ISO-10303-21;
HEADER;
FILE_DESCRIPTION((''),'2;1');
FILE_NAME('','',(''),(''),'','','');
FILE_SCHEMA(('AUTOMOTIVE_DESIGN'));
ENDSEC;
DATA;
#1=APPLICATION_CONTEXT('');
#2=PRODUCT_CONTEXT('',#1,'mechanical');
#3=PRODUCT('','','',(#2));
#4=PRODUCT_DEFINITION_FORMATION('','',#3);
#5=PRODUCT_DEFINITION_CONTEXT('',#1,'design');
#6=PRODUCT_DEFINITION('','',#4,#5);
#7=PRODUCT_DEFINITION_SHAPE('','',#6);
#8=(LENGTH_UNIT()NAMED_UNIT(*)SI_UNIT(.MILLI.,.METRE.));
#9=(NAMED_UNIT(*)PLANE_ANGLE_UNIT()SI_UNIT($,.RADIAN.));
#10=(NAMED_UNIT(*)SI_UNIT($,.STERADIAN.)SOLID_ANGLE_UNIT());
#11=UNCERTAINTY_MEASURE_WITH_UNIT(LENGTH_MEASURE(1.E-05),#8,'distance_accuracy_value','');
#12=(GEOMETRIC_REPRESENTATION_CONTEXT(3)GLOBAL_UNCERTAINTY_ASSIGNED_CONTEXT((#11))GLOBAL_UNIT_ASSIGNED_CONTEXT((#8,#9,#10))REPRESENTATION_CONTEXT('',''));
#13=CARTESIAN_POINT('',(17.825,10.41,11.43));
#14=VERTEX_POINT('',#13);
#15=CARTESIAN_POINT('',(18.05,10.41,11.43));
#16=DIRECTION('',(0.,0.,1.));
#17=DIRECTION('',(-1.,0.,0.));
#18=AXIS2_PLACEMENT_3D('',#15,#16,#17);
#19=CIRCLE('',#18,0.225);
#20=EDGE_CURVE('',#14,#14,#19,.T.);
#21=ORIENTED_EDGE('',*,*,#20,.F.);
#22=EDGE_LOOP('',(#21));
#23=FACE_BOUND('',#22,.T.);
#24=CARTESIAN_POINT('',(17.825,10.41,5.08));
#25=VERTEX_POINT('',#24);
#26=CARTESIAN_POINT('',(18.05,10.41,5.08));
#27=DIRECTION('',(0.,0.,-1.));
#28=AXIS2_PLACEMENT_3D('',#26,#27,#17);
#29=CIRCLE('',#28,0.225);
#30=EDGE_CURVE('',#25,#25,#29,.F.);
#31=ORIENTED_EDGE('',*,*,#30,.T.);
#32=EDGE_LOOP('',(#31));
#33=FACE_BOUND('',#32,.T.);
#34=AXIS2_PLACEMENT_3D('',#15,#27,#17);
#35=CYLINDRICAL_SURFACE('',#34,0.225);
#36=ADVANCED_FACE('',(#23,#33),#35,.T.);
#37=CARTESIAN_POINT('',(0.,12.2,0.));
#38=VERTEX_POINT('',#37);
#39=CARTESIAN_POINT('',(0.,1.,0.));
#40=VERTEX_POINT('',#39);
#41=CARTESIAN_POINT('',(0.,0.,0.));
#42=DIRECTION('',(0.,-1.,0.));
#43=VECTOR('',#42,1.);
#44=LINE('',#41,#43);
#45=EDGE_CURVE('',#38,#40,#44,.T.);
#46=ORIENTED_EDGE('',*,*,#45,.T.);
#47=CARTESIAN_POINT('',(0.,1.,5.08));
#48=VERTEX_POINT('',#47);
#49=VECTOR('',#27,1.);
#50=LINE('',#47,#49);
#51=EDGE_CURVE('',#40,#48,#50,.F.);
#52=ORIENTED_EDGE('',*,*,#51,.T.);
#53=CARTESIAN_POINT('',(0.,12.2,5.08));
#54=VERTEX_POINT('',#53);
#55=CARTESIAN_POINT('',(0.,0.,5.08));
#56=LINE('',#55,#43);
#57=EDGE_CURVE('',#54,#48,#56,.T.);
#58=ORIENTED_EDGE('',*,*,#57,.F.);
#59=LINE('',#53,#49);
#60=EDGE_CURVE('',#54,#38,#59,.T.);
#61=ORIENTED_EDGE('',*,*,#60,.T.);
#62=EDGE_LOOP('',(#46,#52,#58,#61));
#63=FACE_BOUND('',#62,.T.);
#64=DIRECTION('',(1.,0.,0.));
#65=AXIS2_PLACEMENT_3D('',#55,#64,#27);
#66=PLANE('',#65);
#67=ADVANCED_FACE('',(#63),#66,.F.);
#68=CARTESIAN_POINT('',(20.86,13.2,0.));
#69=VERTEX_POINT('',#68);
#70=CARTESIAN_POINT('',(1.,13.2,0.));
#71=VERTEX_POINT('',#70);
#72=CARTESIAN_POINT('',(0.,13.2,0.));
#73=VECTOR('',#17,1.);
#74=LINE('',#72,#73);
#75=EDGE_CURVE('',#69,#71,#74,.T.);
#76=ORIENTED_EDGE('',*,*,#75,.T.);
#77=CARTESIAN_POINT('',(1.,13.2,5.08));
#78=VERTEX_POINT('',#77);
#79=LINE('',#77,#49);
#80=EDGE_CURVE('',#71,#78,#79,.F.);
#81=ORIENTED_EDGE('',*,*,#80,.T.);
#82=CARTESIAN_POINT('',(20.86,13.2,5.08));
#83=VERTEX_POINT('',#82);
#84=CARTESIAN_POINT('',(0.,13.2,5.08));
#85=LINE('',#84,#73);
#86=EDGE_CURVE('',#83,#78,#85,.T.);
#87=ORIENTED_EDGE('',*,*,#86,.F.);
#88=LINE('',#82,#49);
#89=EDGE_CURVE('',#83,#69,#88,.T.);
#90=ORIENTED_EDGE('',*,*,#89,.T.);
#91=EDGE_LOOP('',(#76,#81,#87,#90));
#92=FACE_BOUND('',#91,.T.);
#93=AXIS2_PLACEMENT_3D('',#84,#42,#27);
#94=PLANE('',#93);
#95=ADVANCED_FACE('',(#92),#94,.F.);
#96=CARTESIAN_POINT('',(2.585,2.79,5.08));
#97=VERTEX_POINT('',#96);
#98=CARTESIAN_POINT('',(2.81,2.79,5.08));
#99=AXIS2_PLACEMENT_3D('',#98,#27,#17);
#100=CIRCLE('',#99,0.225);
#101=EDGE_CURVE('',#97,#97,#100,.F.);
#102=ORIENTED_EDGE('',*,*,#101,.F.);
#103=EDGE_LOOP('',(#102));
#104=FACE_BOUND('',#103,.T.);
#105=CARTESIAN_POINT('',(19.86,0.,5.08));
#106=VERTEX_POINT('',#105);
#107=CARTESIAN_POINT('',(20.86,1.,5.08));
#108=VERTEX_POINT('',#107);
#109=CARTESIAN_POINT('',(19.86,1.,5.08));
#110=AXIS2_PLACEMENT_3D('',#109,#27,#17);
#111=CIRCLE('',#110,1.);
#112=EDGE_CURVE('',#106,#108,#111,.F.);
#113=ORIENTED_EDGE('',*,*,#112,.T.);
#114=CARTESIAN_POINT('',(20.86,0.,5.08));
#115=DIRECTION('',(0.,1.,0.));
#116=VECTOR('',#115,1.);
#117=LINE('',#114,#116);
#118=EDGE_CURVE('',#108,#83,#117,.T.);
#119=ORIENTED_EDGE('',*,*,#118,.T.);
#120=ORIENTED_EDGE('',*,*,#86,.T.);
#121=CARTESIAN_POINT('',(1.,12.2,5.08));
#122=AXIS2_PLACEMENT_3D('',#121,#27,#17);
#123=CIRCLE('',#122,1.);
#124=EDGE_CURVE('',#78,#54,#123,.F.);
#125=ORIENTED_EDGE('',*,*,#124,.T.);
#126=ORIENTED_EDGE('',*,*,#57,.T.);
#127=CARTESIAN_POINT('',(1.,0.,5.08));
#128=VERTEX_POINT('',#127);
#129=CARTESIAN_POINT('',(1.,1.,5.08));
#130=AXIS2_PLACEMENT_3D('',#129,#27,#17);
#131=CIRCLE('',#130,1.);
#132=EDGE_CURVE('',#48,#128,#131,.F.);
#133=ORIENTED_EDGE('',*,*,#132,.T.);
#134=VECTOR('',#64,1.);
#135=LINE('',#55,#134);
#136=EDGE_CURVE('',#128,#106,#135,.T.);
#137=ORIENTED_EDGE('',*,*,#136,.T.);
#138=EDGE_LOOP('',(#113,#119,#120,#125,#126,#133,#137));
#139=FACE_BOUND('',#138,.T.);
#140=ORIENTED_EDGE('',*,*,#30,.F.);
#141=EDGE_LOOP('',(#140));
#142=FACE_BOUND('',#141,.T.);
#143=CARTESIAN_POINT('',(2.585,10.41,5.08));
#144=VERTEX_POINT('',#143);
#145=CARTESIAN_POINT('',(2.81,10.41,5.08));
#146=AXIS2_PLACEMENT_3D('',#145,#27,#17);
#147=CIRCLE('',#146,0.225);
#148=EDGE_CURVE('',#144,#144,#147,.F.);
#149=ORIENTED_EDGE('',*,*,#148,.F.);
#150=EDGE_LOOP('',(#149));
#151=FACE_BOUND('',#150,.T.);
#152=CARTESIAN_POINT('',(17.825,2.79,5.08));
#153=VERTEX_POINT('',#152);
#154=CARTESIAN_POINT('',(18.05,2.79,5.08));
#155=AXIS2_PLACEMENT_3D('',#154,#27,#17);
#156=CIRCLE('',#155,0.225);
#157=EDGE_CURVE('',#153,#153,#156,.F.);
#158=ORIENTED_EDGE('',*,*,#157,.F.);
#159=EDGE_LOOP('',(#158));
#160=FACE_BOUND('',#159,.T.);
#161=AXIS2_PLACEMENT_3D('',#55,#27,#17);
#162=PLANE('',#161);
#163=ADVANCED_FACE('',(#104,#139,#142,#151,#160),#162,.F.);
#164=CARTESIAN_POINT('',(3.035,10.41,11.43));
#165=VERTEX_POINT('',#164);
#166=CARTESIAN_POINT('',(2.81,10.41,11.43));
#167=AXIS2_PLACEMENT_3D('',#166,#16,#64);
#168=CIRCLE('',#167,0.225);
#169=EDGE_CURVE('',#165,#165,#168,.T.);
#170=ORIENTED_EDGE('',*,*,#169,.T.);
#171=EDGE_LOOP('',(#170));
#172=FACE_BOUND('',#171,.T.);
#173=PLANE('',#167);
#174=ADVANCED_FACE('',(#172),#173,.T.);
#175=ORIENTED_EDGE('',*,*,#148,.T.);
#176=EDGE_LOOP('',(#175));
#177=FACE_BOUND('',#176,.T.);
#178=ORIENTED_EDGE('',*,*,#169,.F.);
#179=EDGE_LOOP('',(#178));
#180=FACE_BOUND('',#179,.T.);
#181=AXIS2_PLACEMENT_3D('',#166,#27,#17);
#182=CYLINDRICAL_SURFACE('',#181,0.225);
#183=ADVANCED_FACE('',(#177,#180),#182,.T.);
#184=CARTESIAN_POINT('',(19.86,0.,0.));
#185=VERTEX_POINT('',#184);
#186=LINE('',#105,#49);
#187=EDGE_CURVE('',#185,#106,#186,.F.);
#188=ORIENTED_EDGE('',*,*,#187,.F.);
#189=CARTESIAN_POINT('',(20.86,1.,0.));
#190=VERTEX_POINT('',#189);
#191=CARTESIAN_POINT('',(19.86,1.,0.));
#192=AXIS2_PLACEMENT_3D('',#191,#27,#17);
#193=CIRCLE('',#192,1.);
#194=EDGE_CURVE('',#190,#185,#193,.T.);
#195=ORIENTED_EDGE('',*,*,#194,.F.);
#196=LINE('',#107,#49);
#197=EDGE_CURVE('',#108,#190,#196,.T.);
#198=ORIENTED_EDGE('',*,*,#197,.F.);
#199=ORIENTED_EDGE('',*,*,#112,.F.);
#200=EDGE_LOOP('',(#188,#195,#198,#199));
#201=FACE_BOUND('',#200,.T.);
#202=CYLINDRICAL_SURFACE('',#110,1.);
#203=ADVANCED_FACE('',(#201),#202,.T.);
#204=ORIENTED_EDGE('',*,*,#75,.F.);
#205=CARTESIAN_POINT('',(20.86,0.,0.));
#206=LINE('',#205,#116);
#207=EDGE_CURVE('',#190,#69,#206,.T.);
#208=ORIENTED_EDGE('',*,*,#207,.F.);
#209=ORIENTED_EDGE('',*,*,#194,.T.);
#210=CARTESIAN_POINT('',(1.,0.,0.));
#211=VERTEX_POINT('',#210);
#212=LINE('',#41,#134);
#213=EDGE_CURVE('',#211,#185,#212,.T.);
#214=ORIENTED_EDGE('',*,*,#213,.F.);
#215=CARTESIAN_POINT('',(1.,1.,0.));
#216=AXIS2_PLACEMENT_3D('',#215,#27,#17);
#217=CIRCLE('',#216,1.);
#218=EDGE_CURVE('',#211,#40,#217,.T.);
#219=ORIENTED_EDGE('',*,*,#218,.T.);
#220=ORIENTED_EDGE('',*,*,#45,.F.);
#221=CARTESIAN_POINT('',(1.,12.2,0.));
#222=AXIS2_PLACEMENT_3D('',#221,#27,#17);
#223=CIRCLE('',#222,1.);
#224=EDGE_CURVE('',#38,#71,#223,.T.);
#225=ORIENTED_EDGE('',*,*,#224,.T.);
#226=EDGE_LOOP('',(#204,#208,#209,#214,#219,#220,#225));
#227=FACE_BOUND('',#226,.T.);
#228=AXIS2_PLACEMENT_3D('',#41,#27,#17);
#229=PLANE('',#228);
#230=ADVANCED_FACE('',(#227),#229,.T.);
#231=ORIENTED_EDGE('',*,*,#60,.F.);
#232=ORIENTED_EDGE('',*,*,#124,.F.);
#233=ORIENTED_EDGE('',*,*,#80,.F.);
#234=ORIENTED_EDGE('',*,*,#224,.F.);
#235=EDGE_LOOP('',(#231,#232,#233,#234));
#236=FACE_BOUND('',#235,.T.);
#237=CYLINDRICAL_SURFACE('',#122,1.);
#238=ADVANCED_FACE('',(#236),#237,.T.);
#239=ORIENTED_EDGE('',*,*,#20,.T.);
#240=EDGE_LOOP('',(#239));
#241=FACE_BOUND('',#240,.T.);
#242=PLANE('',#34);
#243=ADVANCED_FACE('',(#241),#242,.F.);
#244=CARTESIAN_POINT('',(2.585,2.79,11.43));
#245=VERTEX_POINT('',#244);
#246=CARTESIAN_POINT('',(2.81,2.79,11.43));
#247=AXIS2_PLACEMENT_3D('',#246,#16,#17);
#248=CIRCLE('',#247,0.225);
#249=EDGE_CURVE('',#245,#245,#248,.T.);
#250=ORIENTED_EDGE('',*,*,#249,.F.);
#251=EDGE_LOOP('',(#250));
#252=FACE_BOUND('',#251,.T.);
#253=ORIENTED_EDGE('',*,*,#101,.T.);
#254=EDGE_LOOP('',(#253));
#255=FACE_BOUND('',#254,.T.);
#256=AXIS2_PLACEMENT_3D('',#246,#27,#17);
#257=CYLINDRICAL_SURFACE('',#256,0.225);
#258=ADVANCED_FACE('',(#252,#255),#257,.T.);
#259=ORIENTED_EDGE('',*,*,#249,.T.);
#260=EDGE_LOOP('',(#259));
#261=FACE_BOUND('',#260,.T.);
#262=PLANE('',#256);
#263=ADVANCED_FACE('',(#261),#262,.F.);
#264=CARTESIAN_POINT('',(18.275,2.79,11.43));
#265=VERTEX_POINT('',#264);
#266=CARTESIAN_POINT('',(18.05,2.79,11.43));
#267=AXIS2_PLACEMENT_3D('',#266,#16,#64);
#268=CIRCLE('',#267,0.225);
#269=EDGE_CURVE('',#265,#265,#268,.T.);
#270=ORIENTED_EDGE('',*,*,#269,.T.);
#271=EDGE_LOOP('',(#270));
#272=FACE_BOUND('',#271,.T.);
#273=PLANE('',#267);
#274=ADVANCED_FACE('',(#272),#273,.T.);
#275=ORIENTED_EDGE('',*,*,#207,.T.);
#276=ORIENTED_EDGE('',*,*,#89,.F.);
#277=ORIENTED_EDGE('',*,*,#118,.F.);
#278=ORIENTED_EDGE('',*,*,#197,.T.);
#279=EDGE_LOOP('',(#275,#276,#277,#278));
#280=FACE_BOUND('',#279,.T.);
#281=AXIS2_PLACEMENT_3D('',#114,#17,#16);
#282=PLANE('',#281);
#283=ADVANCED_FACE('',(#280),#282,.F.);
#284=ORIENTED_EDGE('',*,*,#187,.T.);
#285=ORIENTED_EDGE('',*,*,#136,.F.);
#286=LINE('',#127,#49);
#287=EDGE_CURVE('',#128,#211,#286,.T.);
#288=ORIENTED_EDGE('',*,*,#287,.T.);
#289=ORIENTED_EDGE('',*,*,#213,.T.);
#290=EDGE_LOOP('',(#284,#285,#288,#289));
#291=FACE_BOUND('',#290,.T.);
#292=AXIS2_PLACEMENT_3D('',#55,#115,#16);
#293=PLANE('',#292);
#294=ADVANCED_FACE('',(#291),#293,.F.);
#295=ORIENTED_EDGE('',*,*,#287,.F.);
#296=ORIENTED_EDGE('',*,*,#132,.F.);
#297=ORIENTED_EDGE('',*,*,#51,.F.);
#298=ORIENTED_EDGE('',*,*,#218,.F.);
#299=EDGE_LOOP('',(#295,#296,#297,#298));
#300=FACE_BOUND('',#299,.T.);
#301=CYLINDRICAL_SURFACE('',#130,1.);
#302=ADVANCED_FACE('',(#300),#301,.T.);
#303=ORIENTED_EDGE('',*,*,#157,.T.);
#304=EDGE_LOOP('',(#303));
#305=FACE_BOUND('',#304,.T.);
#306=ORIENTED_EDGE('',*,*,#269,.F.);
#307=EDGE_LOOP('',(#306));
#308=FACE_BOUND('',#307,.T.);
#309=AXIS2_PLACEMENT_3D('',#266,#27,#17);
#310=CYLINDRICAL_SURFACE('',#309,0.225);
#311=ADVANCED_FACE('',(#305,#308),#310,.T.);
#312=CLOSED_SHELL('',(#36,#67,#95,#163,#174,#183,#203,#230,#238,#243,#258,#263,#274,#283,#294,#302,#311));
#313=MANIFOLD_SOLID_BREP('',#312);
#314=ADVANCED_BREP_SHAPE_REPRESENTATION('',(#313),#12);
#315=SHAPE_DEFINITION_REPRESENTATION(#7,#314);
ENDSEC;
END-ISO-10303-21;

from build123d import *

# Parameters (mm, degrees)
SKETCH1_W           = 20.86
SKETCH1_H           = 13.2
BOSS_EXTRUDE1_DEPTH = 5.08
SKETCH2_R           = 0.225
BOSS_EXTRUDE2_DEPTH = 6.35
FILLET1_R           = 1


with BuildPart() as part:
    # Sketch1 → Boss-Extrude1 (new body)
    with BuildSketch(Plane.XY):
        with Locations((10.43, 6.6)):
            Rectangle(SKETCH1_W, SKETCH1_H)
    extrude(amount=BOSS_EXTRUDE1_DEPTH)

    # Sketch2 → Boss-Extrude2 (add)
    with BuildSketch(Plane.XY.offset(5.08)):
        with Locations(Location((2.81, 10.41, 0), (0, 0, 180))):
            Circle(SKETCH2_R)
        with Locations(Location((18.05, 10.41, 0), (0, 0, 180))):
            Circle(SKETCH2_R)
        with Locations(Location((18.05, 2.79, 0), (0, 0, 180))):
            Circle(SKETCH2_R)
        with Locations(Location((2.81, 2.79, 0), (0, 0, 180))):
            Circle(SKETCH2_R)
    extrude(amount=BOSS_EXTRUDE2_DEPTH)

    # Fillet1
    fillet1_edges = [part.edges().sort_by_distance(p)[0] for p in [
        (0, 13.2, 2.54),
        (20.86, 0, 2.54),
        (0, 0, 2.54),
    ]]
    fillet(fillet1_edges, radius=FILLET1_R)


solid = part.part
